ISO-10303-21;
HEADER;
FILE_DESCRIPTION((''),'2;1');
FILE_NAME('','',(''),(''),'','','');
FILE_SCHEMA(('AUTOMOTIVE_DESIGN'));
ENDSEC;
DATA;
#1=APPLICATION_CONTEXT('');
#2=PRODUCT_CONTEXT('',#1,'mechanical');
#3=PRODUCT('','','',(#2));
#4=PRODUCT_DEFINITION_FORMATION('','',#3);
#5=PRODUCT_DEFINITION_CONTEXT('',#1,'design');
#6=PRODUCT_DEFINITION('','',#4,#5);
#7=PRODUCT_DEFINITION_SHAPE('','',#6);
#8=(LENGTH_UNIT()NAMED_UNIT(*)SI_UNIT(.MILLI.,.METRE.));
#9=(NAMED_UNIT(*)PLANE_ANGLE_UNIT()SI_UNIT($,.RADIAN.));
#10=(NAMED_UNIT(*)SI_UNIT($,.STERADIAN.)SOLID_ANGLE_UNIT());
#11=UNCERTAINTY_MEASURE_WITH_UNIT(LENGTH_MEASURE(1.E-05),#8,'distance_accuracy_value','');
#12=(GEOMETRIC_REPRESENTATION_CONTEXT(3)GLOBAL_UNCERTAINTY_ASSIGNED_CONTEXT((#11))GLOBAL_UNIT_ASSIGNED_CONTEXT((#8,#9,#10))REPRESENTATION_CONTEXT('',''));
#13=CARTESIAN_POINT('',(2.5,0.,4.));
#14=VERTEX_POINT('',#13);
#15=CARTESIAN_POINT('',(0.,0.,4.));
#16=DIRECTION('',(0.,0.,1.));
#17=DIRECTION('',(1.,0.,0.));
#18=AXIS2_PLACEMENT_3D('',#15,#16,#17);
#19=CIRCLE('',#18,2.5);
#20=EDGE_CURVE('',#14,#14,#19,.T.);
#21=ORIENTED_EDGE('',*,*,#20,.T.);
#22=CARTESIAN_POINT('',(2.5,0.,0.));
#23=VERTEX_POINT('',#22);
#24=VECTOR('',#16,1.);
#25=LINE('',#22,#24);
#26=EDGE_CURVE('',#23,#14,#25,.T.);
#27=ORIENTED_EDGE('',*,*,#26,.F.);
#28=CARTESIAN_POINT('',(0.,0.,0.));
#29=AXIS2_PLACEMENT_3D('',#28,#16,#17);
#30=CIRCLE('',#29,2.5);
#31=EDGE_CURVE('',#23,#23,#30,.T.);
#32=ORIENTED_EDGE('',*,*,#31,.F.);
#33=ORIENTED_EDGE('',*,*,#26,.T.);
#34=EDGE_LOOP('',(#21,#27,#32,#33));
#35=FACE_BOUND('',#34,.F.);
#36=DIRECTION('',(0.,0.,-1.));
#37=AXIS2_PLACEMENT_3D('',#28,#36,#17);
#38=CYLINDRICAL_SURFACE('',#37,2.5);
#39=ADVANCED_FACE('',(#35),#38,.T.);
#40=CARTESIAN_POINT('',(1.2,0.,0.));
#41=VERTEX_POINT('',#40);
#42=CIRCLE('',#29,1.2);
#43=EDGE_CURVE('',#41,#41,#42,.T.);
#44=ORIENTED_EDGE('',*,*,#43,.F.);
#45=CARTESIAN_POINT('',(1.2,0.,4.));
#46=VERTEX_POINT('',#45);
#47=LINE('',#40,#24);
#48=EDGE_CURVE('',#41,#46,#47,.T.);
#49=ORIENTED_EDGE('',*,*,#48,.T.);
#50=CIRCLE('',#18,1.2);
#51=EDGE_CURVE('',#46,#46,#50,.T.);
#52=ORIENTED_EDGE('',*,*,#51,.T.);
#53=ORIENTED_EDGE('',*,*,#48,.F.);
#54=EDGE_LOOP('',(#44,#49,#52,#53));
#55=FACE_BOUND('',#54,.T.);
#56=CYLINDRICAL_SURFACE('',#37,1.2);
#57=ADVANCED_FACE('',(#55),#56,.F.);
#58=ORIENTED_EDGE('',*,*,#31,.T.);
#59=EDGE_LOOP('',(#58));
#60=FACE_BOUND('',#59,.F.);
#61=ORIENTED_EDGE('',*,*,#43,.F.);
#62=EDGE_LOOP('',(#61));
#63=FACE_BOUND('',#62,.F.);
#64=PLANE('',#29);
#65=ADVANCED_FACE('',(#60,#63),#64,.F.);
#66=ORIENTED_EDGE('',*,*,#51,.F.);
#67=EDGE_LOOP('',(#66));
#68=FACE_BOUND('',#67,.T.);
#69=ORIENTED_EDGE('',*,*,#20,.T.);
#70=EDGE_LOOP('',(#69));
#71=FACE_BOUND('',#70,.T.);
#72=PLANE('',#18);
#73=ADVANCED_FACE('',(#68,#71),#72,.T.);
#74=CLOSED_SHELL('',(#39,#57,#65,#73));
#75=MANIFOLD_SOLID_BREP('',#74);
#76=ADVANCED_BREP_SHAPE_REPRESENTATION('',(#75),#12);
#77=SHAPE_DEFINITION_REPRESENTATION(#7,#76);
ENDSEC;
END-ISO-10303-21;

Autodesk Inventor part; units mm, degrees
ref_plane "YZ Plane" through (0, 0, 0) normal (1, 0, 0) x (0, 1, 0)
ref_plane "XZ Plane" through (0, 0, 0) normal (0, 1, 0) x (-1, 0, 0)
ref_plane "XY Plane" through (0, 0, 0) normal (0, 0, 1) x (1, 0, 0)
sketch "Sketch1" plane through (0, 0, 0) normal (0, 0, 1) x (1, 0, 0)
  circle A0 centre (0, 0) radius 2.5
  circle A1 centre (0, 0) radius 1.2
  dimension "d0" = 2.4
  dimension "d1" = 5
extrude "Extrusion1" add sketch "Sketch1" along normal blind 4
properties part number "M2-5_Nut_3DPrint"
